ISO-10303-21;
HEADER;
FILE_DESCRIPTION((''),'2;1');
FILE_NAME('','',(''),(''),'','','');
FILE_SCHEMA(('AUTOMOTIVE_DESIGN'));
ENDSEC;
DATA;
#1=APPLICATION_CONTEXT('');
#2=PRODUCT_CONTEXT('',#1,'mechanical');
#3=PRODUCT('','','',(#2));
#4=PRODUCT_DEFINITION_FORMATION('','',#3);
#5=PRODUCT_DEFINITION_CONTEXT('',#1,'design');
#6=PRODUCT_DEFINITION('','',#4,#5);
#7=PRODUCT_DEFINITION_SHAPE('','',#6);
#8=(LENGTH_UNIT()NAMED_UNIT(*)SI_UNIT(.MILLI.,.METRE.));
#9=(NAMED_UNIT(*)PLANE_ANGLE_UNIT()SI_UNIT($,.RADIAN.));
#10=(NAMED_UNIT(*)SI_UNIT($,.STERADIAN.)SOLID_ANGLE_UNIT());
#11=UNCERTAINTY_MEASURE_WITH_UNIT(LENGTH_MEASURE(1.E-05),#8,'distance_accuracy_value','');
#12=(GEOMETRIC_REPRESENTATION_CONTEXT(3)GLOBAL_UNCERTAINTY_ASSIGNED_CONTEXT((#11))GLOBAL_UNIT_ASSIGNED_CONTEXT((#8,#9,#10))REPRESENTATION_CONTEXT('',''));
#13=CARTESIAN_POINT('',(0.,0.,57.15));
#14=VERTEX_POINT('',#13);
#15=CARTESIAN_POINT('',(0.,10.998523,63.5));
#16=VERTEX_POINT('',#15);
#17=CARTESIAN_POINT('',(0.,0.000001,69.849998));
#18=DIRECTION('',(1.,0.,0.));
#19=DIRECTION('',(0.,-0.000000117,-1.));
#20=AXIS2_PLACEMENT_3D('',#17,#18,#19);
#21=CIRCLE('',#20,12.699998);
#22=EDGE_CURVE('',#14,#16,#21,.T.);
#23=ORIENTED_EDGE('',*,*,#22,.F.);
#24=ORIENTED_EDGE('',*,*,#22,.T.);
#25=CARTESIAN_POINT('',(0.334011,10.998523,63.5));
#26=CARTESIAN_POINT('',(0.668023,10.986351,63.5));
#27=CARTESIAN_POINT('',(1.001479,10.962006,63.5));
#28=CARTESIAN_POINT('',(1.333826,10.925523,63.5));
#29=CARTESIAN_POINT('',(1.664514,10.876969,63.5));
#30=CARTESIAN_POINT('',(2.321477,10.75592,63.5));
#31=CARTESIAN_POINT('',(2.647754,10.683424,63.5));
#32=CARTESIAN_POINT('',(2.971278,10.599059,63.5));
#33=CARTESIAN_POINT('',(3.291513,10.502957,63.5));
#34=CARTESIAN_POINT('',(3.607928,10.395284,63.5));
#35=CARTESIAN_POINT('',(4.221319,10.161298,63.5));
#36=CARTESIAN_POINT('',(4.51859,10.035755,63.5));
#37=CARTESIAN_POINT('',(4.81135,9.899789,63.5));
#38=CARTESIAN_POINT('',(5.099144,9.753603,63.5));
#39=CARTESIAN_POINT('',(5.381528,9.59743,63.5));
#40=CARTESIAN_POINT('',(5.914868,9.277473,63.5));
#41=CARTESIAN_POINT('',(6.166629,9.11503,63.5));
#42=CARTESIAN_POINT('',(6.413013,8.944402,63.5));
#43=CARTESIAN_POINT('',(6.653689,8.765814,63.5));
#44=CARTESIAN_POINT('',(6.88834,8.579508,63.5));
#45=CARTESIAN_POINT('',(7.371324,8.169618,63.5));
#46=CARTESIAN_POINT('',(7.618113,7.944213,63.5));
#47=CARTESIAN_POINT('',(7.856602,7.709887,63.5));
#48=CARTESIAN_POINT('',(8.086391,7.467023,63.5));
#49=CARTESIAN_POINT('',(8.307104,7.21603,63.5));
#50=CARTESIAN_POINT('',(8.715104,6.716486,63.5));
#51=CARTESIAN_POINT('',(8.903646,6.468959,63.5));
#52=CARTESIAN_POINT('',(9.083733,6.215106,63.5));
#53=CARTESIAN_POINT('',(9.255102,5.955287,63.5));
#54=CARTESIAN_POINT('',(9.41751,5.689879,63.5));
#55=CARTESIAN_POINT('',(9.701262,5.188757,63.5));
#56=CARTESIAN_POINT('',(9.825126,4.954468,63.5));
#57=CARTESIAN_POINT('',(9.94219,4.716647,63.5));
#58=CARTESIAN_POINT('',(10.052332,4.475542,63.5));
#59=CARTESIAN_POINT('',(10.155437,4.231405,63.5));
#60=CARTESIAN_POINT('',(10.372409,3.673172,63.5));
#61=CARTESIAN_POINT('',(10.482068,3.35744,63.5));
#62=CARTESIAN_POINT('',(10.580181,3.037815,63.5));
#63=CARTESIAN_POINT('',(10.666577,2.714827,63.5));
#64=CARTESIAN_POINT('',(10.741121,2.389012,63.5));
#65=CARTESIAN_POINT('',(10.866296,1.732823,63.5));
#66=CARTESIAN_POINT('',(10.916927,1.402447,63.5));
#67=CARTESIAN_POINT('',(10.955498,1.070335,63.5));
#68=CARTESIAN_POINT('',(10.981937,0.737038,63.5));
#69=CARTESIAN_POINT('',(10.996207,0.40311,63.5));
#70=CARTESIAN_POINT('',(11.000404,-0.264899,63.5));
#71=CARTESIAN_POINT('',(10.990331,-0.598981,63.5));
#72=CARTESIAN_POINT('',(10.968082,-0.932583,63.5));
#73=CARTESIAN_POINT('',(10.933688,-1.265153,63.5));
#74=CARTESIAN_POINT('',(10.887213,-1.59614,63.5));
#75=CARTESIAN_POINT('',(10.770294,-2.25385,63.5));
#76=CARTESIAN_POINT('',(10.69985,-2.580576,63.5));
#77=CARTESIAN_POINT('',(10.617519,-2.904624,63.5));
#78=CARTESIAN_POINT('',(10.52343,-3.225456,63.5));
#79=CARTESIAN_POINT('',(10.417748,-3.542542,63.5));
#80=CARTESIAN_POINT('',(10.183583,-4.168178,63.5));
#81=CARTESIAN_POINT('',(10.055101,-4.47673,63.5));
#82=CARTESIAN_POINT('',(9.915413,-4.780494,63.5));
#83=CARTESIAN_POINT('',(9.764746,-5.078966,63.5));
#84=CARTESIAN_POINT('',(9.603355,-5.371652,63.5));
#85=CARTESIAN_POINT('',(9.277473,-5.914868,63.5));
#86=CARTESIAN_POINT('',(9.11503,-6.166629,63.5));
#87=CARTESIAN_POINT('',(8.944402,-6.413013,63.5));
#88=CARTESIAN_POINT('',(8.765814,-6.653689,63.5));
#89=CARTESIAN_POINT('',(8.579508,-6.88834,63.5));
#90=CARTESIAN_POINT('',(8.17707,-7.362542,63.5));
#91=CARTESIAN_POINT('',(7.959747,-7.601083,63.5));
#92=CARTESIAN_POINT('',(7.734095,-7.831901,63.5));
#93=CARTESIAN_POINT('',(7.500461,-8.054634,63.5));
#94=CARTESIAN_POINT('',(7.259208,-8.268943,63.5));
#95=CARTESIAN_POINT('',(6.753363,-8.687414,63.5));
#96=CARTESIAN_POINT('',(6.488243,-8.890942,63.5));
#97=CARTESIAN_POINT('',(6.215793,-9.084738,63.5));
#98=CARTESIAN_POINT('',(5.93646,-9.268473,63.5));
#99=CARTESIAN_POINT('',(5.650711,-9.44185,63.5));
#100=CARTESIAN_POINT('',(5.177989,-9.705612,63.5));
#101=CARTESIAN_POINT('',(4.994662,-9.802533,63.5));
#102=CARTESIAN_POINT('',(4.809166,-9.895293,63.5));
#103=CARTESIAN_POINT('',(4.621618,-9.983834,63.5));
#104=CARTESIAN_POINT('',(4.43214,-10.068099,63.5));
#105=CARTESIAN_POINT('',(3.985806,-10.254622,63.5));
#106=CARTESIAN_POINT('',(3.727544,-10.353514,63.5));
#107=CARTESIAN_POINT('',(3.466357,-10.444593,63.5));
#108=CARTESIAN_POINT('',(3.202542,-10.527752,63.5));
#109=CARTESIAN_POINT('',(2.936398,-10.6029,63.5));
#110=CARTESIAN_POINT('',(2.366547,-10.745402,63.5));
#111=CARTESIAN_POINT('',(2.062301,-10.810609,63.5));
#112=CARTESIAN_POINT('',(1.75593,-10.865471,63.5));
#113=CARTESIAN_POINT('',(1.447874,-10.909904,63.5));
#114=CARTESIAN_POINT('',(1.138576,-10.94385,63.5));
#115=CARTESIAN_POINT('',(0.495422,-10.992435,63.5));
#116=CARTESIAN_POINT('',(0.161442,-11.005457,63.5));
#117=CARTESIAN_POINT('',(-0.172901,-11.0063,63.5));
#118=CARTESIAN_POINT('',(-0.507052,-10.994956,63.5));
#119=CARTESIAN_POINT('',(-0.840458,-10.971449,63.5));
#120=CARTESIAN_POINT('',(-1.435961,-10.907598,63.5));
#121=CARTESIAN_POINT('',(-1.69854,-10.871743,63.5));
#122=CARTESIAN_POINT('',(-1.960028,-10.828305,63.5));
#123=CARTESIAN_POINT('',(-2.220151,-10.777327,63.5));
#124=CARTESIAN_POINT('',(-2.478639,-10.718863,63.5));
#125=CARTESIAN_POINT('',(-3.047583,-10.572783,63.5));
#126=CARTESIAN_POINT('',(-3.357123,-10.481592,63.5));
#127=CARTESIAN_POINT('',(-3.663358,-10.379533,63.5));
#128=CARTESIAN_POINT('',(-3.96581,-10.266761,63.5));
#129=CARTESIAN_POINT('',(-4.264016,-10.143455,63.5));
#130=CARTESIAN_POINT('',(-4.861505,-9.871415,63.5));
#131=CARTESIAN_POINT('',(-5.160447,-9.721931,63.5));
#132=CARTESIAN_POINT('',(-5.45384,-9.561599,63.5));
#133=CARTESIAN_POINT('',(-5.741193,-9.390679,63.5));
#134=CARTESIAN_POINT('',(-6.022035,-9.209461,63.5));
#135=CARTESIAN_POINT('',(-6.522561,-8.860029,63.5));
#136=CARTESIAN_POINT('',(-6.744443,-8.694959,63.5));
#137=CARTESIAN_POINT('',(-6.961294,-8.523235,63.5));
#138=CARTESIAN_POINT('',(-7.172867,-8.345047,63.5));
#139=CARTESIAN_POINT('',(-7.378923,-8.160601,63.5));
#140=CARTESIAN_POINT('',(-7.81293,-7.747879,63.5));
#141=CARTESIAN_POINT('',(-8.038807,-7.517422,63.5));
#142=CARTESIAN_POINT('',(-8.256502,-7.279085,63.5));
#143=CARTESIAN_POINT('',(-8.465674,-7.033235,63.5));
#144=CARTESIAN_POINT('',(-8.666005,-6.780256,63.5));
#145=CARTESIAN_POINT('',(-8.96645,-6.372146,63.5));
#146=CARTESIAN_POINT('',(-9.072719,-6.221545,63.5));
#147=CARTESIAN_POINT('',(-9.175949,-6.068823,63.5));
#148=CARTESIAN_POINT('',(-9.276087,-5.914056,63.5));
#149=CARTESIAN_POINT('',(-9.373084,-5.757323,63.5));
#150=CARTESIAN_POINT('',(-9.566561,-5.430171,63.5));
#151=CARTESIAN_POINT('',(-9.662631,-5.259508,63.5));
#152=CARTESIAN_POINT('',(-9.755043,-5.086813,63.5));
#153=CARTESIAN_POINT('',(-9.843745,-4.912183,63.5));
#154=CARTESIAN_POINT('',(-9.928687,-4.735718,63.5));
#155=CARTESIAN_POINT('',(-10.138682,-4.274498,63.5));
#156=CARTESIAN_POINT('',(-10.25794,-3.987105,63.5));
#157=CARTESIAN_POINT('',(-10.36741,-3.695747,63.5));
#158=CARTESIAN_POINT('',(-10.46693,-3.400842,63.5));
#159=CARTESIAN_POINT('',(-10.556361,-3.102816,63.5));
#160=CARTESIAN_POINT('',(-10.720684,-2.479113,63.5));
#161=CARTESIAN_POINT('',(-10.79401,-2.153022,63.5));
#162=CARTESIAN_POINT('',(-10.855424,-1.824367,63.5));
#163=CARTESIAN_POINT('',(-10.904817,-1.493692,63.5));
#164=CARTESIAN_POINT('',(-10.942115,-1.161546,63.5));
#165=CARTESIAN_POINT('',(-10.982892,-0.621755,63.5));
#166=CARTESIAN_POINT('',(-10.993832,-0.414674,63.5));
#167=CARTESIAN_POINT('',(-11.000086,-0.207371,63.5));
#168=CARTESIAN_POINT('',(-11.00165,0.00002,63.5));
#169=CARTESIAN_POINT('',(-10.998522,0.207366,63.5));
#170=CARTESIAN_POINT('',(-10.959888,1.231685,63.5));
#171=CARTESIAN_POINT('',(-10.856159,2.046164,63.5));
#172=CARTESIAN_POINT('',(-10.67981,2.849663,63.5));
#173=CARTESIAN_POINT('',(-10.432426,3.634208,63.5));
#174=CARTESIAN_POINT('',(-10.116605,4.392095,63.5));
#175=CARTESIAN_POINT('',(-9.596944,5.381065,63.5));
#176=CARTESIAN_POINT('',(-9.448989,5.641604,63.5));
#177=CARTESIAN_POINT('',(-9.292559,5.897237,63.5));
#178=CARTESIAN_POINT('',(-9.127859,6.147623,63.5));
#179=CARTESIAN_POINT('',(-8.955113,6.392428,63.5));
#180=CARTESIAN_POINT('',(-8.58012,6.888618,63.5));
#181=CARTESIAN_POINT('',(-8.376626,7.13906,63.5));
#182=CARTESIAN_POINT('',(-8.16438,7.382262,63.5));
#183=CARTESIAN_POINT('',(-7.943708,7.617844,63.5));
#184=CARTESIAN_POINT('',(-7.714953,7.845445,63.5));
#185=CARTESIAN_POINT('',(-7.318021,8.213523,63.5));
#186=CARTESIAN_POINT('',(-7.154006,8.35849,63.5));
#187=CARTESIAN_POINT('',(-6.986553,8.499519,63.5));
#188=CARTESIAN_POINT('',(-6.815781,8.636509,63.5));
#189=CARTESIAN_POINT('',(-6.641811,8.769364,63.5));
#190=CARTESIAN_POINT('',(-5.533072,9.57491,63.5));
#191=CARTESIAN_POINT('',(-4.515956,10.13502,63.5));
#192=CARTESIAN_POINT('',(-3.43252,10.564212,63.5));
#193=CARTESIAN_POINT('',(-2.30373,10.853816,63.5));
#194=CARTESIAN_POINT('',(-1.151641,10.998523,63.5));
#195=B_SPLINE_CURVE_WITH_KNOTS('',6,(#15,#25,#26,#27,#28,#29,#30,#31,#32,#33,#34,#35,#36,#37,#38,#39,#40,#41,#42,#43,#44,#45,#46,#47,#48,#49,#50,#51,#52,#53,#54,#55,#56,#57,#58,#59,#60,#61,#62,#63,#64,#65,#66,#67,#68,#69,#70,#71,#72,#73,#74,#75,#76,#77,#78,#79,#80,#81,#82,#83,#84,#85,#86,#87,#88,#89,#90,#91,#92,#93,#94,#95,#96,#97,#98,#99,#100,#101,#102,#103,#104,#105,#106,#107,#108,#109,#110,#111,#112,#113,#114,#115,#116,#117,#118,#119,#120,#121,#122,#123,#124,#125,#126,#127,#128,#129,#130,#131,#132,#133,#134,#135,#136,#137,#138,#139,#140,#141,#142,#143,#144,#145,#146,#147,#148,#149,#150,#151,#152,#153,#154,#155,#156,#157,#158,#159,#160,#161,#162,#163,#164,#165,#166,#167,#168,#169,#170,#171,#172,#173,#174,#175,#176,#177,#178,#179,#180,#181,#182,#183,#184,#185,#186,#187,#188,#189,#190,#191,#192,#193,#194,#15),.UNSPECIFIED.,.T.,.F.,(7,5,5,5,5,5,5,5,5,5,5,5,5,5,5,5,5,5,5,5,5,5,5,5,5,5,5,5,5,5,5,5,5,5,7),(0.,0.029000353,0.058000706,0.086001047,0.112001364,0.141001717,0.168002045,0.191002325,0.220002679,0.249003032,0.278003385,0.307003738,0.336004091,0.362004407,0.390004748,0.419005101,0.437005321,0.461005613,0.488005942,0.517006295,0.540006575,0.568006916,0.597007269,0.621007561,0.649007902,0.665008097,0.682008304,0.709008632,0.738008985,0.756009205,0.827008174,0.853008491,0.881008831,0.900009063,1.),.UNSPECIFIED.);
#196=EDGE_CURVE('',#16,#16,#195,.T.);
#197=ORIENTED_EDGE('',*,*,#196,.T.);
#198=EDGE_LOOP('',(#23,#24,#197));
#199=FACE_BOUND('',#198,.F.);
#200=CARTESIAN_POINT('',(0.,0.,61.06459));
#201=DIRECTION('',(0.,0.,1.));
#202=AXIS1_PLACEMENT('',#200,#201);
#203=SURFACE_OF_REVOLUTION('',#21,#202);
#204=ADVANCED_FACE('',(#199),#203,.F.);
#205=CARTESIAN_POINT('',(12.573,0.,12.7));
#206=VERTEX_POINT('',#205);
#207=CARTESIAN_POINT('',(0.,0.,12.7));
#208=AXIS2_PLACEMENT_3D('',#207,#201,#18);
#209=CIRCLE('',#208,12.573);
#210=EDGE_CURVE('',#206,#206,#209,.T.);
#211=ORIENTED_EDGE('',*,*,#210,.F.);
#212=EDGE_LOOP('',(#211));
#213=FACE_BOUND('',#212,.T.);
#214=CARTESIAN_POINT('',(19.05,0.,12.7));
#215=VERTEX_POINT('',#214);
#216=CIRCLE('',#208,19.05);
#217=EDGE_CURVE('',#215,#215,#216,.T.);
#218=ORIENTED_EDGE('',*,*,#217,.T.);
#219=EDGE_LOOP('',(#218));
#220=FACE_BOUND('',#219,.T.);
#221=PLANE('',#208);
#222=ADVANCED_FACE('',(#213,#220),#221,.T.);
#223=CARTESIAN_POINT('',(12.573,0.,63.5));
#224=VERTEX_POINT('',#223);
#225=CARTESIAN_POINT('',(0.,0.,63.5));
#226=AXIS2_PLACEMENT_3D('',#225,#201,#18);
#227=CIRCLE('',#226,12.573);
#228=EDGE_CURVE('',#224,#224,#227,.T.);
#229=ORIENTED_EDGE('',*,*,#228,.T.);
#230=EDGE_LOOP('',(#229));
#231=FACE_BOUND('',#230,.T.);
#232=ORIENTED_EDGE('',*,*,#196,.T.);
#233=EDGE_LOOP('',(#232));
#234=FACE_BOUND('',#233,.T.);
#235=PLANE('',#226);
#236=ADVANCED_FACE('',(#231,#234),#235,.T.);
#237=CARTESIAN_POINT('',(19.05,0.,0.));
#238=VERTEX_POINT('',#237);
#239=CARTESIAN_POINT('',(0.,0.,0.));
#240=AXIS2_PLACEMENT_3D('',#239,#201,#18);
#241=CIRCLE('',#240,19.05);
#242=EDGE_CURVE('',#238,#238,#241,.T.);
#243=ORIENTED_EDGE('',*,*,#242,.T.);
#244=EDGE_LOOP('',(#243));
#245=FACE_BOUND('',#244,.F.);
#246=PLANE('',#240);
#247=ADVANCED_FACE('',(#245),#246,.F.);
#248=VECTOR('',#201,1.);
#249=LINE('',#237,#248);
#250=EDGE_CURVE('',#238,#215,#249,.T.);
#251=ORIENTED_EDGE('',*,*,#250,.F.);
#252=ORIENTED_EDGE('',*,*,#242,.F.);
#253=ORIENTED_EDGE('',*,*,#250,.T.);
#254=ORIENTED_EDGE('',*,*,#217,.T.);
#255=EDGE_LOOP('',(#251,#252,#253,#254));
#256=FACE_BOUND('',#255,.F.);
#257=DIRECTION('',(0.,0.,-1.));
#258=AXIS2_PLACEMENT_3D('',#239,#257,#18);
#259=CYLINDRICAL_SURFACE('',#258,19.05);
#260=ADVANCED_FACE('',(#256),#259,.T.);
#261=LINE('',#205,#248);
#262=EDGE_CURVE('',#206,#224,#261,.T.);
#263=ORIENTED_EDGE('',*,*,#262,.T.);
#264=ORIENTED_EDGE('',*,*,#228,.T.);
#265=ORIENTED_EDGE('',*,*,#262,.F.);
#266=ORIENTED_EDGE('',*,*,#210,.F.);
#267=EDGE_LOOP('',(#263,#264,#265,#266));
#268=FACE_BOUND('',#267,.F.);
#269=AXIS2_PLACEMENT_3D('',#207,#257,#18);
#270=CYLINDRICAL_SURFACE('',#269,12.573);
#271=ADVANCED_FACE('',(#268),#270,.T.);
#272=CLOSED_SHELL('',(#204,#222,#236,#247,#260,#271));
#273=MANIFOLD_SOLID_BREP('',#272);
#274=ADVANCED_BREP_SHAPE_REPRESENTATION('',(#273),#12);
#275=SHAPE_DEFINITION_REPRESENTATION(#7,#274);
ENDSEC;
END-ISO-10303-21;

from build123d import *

# Parameters (mm, degrees)
F0_R     = 19.05
F1_DEPTH = 12.7
F2_R     = 12.573
F3_DEPTH = 50.8


with BuildPart() as f1:
    # F0 (on Top) → F1 (new body)
    with BuildSketch(Plane.XY):
        Circle(F0_R)
    extrude(amount=F1_DEPTH)

    # F2 (on face) → F3 (join)
    with BuildSketch(Plane.XY.offset(12.7)):
        Circle(F2_R)
    extrude(amount=F3_DEPTH)

    # F4 (on Right) → F5 (revolve, cut)
    with BuildSketch(Plane.YZ):
        with BuildLine():
            Line((0, 64.979181), (0, 57.15))
            ThreePointArc((0, 57.15), (7.050908, 59.287107), (11.728816, 64.979181))
            Line((11.728816, 64.979181), (0, 64.979181))
        make_face()
    revolve(axis=Axis((0, 0, 61.06459), (0, 0, 1)), mode=Mode.SUBTRACT)


solid = f1.part
